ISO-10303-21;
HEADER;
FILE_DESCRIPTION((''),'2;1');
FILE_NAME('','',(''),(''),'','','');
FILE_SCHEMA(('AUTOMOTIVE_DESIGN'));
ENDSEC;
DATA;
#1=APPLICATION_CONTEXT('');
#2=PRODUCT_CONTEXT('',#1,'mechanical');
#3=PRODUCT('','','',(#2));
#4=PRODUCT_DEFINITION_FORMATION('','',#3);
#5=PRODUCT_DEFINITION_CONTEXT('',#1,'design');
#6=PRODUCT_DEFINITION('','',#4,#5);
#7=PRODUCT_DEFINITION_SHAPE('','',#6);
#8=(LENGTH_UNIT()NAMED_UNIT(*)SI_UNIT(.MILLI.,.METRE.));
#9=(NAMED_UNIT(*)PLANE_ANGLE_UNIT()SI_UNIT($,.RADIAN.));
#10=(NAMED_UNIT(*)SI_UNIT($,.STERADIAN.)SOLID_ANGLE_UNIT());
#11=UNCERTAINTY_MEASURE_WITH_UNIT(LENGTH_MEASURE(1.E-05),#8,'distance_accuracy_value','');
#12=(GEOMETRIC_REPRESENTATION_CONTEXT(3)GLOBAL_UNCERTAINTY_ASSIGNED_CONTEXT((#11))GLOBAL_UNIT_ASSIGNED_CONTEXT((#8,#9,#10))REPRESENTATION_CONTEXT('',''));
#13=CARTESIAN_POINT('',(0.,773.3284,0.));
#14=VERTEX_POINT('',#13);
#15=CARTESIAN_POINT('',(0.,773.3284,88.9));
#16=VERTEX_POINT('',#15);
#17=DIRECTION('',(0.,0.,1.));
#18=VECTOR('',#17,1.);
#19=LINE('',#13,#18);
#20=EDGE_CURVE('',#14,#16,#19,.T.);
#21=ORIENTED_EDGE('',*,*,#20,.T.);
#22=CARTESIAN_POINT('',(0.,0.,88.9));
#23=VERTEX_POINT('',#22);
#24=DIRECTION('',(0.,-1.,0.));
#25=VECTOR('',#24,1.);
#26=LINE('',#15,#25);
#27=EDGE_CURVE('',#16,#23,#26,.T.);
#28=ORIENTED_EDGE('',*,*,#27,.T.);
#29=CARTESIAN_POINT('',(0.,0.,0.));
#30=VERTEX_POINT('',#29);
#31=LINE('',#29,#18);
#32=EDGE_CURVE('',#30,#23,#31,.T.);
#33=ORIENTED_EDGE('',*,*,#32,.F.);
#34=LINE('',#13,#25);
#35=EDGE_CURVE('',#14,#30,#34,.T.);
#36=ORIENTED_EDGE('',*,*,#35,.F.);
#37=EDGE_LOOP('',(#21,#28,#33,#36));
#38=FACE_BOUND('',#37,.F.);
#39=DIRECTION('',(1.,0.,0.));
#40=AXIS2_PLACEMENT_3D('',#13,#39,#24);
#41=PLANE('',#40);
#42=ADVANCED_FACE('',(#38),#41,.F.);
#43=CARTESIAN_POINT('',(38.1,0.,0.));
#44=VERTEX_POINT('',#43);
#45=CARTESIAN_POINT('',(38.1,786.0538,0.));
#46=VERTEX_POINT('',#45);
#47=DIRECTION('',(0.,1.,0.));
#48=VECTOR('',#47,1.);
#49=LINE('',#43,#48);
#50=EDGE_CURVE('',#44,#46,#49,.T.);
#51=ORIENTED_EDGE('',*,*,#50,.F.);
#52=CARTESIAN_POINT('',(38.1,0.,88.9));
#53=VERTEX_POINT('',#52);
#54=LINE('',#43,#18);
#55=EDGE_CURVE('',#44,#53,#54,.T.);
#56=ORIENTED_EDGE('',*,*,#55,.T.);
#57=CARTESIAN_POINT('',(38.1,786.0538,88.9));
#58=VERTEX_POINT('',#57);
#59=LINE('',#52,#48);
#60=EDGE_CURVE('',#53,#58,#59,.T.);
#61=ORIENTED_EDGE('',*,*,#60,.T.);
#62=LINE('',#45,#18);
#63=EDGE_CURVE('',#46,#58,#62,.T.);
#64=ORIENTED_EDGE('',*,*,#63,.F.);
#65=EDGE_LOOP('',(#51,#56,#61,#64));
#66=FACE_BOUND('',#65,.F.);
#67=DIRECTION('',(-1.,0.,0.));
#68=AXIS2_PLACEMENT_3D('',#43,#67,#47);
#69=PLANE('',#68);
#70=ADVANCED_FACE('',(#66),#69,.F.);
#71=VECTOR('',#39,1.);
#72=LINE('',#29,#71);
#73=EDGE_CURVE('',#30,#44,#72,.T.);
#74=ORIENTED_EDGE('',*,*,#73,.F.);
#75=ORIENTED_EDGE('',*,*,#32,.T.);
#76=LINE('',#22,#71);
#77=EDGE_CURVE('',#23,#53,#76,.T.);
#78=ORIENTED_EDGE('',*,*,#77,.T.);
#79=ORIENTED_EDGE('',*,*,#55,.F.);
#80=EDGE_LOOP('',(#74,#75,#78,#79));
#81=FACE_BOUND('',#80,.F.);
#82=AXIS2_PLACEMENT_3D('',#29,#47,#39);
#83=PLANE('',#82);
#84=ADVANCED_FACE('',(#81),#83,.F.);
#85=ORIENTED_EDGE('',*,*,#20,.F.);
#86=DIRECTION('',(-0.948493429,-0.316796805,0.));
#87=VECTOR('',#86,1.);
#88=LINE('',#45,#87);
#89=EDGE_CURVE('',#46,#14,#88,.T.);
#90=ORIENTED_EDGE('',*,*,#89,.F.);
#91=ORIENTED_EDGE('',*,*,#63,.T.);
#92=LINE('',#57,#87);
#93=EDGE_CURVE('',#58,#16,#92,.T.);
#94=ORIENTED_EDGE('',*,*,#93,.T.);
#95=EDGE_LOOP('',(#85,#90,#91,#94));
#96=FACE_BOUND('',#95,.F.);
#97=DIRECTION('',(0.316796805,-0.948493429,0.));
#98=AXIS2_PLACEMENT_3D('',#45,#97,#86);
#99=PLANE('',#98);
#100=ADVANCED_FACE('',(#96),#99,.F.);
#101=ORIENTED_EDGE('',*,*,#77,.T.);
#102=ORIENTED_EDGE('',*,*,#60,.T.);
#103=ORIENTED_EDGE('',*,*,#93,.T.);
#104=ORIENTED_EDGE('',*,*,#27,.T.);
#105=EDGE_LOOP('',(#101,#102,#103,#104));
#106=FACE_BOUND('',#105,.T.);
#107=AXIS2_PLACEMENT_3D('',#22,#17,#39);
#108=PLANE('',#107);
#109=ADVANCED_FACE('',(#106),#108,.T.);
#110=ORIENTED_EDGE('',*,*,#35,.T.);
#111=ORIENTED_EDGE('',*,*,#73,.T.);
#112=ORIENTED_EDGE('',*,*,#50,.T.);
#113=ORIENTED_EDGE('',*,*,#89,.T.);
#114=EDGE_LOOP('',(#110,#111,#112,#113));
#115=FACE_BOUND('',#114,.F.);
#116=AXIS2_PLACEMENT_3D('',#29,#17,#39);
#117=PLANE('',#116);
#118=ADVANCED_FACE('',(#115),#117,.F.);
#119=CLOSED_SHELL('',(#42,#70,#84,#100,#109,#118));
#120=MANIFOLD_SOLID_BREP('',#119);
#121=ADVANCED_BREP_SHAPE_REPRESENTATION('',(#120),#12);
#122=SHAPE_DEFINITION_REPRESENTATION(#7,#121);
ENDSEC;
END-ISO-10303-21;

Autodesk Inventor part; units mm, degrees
ref_plane "YZ Plane" through (0, 0, 0) normal (1, 0, 0) x (0, 1, 0)
ref_plane "XZ Plane" through (0, 0, 0) normal (0, 1, 0) x (-1, 0, 0)
ref_plane "XY Plane" through (0, 0, 0) normal (0, 0, 1) x (1, 0, 0)
sketch "Sketch1" plane through (0, 0, 0) normal (0, 0, 1) x (1, 0, 0)
  line L0 (0, 0) -> (38.1, 0)
  line L1 (38.1, 0) -> (38.1, 786.0538)
  line L2 (38.1, 786.0538) -> (0, 773.3284)
  line L3 (0, 773.3284) -> (0, 0)
  dimension "d2" = 38.1
  dimension "d5" = 773.3284
  dimension "d6" = 786.0538
extrude "Extrusion1" add sketch "Sketch1" along normal blind 88.9
properties part number "Stud_Between_Top_Plate_And_Rafter_6" material "Wood (Birch)"
